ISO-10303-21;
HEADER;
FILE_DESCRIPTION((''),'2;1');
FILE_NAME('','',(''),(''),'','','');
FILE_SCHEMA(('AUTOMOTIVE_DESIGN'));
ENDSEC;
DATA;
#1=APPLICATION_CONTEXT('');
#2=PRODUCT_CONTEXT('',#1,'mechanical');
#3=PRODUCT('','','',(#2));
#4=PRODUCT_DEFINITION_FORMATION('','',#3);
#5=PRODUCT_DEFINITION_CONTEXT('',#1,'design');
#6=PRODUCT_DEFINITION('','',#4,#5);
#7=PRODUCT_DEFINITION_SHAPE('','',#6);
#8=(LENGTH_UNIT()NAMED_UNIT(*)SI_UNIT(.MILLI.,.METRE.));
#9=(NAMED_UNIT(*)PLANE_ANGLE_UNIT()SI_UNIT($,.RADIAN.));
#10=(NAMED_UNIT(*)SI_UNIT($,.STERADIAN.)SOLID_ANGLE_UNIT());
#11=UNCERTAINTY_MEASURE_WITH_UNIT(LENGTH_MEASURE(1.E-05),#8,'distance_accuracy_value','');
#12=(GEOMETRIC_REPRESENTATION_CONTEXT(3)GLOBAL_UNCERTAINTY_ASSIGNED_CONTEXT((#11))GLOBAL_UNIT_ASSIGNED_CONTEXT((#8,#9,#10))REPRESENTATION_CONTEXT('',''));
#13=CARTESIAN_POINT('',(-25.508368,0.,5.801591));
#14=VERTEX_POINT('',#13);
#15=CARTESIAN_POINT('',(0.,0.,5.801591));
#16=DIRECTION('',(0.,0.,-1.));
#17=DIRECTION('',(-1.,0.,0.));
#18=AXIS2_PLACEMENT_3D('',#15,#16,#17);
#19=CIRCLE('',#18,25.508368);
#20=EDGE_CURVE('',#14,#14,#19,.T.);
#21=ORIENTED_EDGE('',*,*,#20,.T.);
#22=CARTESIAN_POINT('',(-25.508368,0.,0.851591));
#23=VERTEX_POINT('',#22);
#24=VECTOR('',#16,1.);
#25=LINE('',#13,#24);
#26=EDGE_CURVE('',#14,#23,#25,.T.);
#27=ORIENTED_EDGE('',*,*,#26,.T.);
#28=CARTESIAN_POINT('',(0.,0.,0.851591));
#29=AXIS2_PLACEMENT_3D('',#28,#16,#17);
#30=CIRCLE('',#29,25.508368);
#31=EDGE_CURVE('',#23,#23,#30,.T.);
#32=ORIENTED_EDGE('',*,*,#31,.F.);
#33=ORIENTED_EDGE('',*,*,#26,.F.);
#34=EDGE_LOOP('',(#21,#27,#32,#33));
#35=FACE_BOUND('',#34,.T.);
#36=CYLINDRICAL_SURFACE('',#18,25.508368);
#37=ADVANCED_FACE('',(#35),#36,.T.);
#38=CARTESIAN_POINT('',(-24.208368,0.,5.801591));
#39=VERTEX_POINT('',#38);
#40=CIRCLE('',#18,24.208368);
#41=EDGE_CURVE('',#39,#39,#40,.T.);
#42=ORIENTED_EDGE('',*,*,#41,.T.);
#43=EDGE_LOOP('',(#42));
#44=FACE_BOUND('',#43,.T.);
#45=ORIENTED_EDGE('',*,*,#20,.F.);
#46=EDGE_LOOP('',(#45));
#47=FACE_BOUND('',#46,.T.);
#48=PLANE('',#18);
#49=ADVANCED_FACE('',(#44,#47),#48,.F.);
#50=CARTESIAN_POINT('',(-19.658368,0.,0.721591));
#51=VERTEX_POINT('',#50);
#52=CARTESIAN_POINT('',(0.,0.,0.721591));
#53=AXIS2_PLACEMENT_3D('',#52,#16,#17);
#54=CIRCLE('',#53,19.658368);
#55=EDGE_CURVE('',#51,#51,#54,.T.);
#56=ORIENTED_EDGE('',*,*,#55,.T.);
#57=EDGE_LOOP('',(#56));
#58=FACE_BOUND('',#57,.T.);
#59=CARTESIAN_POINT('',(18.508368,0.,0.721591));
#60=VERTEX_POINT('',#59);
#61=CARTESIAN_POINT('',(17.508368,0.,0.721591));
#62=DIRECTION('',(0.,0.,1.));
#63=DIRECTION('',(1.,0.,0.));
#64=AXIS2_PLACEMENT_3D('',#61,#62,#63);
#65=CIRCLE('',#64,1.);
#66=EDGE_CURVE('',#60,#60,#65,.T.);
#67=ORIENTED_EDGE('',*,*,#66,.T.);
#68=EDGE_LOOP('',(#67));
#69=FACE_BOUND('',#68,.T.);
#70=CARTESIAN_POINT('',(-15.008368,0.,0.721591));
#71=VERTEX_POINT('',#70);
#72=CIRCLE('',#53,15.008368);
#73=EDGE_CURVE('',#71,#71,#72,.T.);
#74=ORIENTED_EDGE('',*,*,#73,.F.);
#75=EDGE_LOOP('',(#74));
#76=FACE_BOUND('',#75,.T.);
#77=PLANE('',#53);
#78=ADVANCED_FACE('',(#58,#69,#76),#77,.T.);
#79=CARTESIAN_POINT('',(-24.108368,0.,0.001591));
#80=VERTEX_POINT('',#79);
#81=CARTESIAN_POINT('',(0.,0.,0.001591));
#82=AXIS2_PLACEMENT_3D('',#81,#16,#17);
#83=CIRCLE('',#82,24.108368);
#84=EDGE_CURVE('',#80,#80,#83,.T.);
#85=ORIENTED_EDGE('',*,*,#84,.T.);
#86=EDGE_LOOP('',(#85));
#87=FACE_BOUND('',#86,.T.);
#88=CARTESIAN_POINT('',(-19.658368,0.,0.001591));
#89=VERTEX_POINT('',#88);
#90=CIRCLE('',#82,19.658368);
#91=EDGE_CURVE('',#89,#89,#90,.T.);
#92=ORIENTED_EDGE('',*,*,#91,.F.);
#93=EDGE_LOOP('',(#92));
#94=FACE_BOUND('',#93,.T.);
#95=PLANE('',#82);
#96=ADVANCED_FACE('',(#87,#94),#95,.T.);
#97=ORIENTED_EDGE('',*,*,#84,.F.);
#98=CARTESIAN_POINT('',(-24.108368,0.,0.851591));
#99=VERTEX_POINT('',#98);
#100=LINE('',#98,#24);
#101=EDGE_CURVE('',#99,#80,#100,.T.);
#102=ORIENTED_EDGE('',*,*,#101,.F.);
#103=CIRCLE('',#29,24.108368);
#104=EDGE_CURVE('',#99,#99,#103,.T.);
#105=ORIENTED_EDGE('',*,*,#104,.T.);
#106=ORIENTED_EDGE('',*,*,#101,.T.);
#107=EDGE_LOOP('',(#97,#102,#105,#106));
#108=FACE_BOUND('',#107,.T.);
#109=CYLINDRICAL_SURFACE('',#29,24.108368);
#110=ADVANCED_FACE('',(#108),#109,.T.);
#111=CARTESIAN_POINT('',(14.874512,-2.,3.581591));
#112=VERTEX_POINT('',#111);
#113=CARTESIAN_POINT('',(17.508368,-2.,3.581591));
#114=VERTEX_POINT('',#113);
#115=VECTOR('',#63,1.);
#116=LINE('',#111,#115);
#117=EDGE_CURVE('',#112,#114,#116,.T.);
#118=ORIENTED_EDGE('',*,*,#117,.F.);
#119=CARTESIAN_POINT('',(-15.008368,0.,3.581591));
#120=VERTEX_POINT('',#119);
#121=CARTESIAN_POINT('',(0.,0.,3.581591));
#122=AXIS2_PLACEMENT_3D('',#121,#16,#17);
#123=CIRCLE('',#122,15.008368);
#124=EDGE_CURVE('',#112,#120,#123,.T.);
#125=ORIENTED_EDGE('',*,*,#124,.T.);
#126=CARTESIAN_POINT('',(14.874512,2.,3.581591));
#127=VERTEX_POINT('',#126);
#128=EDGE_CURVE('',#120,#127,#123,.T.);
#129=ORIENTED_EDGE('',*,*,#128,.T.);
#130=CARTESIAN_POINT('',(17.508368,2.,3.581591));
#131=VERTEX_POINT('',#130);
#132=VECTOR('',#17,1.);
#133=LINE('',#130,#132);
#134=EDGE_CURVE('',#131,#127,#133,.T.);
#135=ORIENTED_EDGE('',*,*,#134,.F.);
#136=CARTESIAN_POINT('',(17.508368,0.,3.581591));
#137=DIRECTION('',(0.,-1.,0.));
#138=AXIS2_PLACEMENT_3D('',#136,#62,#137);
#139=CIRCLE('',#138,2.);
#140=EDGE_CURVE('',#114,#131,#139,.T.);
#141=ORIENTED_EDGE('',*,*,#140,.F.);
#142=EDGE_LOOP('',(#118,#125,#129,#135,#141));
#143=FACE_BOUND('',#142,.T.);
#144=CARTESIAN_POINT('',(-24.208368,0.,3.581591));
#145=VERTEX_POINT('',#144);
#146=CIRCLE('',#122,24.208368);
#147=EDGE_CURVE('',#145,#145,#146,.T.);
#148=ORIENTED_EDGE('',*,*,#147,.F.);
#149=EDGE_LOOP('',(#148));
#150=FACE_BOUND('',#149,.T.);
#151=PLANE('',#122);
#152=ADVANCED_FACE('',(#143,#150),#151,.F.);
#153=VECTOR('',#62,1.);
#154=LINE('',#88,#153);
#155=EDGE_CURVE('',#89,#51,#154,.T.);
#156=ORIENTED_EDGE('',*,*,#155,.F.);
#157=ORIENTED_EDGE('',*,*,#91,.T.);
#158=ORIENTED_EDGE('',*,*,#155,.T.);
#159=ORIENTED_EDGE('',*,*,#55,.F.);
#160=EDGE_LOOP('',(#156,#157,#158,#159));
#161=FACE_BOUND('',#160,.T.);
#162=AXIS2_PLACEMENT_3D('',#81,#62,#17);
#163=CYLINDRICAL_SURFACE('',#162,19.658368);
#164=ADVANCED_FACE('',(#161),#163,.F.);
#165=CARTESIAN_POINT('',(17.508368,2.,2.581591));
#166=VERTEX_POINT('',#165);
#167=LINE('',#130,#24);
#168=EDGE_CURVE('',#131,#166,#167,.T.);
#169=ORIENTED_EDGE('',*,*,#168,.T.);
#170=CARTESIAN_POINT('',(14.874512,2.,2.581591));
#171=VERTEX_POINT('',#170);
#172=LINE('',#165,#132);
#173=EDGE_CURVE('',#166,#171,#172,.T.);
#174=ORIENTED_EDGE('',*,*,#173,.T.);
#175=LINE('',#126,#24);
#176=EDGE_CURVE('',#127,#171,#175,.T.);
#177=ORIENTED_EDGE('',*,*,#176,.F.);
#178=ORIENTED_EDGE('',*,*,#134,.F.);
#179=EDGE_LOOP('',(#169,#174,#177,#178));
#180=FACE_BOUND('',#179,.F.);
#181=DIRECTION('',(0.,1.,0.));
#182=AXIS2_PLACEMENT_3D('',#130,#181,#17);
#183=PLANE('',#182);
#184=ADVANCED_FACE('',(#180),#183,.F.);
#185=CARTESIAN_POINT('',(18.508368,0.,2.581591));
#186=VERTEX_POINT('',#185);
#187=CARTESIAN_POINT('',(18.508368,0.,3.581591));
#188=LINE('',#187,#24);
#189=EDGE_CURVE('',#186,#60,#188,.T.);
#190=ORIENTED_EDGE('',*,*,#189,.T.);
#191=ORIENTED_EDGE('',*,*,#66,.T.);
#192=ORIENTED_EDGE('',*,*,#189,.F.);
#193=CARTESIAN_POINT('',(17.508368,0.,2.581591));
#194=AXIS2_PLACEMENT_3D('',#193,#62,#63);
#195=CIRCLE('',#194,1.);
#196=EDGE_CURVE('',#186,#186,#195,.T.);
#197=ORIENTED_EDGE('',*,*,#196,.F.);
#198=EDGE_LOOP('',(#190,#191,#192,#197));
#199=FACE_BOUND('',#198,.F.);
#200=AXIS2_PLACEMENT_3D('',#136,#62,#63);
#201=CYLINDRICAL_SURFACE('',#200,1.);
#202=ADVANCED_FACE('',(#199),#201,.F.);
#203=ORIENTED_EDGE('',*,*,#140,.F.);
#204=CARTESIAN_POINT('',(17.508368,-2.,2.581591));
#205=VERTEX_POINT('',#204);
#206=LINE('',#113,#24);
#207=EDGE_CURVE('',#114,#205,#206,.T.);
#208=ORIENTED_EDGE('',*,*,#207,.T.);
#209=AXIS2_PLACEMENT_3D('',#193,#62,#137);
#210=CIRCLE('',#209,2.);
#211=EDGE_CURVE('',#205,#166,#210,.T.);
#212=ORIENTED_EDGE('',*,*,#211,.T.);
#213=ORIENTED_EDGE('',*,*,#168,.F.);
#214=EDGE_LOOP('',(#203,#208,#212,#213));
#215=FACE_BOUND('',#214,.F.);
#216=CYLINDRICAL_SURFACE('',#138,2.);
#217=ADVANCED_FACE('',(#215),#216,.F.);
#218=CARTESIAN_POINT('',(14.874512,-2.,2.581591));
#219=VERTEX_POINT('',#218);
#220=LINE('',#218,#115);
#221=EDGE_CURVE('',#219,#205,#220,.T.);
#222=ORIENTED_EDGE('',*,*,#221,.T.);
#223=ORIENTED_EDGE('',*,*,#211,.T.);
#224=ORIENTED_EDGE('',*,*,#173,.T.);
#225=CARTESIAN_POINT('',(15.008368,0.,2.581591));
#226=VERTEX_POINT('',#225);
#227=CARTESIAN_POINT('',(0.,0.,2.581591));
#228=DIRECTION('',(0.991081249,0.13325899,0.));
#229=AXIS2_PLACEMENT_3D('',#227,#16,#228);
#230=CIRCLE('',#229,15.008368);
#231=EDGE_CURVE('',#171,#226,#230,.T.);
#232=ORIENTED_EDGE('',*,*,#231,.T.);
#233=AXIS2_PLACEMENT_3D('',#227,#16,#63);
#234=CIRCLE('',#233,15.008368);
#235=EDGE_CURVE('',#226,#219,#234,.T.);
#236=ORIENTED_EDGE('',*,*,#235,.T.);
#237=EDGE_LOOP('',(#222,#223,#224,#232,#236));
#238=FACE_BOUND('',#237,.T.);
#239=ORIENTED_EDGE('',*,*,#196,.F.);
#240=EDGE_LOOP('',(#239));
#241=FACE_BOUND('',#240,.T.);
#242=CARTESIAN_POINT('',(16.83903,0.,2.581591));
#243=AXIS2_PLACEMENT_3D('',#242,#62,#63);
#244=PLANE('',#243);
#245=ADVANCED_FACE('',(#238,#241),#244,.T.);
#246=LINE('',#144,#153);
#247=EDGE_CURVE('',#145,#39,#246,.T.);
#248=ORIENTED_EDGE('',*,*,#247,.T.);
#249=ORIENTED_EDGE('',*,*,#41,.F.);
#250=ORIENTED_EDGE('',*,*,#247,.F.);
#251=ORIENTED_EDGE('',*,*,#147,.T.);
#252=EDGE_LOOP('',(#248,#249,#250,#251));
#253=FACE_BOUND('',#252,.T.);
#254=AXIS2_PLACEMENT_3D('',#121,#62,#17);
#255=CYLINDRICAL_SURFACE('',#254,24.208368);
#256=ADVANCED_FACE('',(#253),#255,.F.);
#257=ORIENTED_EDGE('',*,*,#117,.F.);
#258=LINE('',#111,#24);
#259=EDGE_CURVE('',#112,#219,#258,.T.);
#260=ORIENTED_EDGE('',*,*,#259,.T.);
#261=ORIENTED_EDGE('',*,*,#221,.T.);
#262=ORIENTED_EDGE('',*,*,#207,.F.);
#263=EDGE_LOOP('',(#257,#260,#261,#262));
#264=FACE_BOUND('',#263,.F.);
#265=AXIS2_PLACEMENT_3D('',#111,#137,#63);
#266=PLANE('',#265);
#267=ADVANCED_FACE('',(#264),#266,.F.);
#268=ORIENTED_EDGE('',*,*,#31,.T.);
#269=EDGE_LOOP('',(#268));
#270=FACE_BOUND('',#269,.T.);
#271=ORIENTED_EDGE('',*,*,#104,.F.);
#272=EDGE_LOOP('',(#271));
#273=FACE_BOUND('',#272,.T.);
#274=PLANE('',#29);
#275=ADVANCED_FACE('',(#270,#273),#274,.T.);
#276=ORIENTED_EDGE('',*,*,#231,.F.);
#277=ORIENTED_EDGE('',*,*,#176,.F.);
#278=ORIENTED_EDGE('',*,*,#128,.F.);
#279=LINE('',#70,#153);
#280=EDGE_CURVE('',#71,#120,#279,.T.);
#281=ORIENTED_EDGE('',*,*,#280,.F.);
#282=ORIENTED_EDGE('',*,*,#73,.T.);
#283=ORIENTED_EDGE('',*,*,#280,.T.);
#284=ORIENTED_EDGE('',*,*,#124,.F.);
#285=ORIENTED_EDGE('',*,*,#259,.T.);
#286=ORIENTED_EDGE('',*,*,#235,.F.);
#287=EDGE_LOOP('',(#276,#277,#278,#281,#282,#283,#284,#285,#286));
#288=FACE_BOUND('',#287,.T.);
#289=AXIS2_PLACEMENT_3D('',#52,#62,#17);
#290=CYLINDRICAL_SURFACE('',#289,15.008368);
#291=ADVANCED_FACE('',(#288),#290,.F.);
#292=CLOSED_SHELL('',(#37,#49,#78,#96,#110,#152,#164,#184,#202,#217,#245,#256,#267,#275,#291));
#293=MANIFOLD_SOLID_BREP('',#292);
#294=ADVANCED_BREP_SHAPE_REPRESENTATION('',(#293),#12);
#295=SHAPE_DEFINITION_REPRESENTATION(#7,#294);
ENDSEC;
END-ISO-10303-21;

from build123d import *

# Parameters (mm, degrees)
F3_R     = 1
F4_DEPTH = 1
F5_DEPTH = 2.86


with BuildPart() as f2:
    # F0 (on Front) → F2 (revolve)
    with BuildSketch(Plane.XZ):
        Polygon((-24.2083683173, 5.8015905717), (-25.5083683173, 5.8015905717), (-25.5083683173, 0.8515905717), (-24.1083683173, 0.8515905717), (-24.1083683173, 0.0015905717), (-19.6583683173, 0.0015905717), (-19.6583683173, 0.7215905717), (-15.0083683173, 0.7215905717), (-15.0083683173, 3.5815905717), (-24.2083683173, 3.5815905717), align=None)
    revolve(axis=Axis((0, 0, 5), (0, 0, -1)))

    # F3 (on face) → F4 (cut)
    with BuildSketch(Plane.XY.offset(3.5815905717)):
        with BuildLine():
            Line((14.8745124138, -2), (17.5083683173, -2))
            ThreePointArc((17.5083683173, -2), (19.5083683173, 0), (17.5083683173, 2))
            Line((17.5083683173, 2), (14.8745124138, 2))
            ThreePointArc((14.8745124138, 2), (14.9748669509, 1.0022371729), (15.0083683173, 0))
            ThreePointArc((15.0083683173, 0), (14.9748669509, -1.0022371729), (14.8745124138, -2))
        make_face()
        with Locations((17.5083683173, 0)):
            Circle(F3_R, mode=Mode.SUBTRACT)
    extrude(amount=-F4_DEPTH, mode=Mode.SUBTRACT)

    # F3 (on face) → F5 (cut)
    with BuildSketch(Plane.XY.offset(3.5815905717)):
        with Locations((17.5083683173, 0)):
            Circle(F3_R)
    extrude(amount=-F5_DEPTH, mode=Mode.SUBTRACT)


solid = f2.part
